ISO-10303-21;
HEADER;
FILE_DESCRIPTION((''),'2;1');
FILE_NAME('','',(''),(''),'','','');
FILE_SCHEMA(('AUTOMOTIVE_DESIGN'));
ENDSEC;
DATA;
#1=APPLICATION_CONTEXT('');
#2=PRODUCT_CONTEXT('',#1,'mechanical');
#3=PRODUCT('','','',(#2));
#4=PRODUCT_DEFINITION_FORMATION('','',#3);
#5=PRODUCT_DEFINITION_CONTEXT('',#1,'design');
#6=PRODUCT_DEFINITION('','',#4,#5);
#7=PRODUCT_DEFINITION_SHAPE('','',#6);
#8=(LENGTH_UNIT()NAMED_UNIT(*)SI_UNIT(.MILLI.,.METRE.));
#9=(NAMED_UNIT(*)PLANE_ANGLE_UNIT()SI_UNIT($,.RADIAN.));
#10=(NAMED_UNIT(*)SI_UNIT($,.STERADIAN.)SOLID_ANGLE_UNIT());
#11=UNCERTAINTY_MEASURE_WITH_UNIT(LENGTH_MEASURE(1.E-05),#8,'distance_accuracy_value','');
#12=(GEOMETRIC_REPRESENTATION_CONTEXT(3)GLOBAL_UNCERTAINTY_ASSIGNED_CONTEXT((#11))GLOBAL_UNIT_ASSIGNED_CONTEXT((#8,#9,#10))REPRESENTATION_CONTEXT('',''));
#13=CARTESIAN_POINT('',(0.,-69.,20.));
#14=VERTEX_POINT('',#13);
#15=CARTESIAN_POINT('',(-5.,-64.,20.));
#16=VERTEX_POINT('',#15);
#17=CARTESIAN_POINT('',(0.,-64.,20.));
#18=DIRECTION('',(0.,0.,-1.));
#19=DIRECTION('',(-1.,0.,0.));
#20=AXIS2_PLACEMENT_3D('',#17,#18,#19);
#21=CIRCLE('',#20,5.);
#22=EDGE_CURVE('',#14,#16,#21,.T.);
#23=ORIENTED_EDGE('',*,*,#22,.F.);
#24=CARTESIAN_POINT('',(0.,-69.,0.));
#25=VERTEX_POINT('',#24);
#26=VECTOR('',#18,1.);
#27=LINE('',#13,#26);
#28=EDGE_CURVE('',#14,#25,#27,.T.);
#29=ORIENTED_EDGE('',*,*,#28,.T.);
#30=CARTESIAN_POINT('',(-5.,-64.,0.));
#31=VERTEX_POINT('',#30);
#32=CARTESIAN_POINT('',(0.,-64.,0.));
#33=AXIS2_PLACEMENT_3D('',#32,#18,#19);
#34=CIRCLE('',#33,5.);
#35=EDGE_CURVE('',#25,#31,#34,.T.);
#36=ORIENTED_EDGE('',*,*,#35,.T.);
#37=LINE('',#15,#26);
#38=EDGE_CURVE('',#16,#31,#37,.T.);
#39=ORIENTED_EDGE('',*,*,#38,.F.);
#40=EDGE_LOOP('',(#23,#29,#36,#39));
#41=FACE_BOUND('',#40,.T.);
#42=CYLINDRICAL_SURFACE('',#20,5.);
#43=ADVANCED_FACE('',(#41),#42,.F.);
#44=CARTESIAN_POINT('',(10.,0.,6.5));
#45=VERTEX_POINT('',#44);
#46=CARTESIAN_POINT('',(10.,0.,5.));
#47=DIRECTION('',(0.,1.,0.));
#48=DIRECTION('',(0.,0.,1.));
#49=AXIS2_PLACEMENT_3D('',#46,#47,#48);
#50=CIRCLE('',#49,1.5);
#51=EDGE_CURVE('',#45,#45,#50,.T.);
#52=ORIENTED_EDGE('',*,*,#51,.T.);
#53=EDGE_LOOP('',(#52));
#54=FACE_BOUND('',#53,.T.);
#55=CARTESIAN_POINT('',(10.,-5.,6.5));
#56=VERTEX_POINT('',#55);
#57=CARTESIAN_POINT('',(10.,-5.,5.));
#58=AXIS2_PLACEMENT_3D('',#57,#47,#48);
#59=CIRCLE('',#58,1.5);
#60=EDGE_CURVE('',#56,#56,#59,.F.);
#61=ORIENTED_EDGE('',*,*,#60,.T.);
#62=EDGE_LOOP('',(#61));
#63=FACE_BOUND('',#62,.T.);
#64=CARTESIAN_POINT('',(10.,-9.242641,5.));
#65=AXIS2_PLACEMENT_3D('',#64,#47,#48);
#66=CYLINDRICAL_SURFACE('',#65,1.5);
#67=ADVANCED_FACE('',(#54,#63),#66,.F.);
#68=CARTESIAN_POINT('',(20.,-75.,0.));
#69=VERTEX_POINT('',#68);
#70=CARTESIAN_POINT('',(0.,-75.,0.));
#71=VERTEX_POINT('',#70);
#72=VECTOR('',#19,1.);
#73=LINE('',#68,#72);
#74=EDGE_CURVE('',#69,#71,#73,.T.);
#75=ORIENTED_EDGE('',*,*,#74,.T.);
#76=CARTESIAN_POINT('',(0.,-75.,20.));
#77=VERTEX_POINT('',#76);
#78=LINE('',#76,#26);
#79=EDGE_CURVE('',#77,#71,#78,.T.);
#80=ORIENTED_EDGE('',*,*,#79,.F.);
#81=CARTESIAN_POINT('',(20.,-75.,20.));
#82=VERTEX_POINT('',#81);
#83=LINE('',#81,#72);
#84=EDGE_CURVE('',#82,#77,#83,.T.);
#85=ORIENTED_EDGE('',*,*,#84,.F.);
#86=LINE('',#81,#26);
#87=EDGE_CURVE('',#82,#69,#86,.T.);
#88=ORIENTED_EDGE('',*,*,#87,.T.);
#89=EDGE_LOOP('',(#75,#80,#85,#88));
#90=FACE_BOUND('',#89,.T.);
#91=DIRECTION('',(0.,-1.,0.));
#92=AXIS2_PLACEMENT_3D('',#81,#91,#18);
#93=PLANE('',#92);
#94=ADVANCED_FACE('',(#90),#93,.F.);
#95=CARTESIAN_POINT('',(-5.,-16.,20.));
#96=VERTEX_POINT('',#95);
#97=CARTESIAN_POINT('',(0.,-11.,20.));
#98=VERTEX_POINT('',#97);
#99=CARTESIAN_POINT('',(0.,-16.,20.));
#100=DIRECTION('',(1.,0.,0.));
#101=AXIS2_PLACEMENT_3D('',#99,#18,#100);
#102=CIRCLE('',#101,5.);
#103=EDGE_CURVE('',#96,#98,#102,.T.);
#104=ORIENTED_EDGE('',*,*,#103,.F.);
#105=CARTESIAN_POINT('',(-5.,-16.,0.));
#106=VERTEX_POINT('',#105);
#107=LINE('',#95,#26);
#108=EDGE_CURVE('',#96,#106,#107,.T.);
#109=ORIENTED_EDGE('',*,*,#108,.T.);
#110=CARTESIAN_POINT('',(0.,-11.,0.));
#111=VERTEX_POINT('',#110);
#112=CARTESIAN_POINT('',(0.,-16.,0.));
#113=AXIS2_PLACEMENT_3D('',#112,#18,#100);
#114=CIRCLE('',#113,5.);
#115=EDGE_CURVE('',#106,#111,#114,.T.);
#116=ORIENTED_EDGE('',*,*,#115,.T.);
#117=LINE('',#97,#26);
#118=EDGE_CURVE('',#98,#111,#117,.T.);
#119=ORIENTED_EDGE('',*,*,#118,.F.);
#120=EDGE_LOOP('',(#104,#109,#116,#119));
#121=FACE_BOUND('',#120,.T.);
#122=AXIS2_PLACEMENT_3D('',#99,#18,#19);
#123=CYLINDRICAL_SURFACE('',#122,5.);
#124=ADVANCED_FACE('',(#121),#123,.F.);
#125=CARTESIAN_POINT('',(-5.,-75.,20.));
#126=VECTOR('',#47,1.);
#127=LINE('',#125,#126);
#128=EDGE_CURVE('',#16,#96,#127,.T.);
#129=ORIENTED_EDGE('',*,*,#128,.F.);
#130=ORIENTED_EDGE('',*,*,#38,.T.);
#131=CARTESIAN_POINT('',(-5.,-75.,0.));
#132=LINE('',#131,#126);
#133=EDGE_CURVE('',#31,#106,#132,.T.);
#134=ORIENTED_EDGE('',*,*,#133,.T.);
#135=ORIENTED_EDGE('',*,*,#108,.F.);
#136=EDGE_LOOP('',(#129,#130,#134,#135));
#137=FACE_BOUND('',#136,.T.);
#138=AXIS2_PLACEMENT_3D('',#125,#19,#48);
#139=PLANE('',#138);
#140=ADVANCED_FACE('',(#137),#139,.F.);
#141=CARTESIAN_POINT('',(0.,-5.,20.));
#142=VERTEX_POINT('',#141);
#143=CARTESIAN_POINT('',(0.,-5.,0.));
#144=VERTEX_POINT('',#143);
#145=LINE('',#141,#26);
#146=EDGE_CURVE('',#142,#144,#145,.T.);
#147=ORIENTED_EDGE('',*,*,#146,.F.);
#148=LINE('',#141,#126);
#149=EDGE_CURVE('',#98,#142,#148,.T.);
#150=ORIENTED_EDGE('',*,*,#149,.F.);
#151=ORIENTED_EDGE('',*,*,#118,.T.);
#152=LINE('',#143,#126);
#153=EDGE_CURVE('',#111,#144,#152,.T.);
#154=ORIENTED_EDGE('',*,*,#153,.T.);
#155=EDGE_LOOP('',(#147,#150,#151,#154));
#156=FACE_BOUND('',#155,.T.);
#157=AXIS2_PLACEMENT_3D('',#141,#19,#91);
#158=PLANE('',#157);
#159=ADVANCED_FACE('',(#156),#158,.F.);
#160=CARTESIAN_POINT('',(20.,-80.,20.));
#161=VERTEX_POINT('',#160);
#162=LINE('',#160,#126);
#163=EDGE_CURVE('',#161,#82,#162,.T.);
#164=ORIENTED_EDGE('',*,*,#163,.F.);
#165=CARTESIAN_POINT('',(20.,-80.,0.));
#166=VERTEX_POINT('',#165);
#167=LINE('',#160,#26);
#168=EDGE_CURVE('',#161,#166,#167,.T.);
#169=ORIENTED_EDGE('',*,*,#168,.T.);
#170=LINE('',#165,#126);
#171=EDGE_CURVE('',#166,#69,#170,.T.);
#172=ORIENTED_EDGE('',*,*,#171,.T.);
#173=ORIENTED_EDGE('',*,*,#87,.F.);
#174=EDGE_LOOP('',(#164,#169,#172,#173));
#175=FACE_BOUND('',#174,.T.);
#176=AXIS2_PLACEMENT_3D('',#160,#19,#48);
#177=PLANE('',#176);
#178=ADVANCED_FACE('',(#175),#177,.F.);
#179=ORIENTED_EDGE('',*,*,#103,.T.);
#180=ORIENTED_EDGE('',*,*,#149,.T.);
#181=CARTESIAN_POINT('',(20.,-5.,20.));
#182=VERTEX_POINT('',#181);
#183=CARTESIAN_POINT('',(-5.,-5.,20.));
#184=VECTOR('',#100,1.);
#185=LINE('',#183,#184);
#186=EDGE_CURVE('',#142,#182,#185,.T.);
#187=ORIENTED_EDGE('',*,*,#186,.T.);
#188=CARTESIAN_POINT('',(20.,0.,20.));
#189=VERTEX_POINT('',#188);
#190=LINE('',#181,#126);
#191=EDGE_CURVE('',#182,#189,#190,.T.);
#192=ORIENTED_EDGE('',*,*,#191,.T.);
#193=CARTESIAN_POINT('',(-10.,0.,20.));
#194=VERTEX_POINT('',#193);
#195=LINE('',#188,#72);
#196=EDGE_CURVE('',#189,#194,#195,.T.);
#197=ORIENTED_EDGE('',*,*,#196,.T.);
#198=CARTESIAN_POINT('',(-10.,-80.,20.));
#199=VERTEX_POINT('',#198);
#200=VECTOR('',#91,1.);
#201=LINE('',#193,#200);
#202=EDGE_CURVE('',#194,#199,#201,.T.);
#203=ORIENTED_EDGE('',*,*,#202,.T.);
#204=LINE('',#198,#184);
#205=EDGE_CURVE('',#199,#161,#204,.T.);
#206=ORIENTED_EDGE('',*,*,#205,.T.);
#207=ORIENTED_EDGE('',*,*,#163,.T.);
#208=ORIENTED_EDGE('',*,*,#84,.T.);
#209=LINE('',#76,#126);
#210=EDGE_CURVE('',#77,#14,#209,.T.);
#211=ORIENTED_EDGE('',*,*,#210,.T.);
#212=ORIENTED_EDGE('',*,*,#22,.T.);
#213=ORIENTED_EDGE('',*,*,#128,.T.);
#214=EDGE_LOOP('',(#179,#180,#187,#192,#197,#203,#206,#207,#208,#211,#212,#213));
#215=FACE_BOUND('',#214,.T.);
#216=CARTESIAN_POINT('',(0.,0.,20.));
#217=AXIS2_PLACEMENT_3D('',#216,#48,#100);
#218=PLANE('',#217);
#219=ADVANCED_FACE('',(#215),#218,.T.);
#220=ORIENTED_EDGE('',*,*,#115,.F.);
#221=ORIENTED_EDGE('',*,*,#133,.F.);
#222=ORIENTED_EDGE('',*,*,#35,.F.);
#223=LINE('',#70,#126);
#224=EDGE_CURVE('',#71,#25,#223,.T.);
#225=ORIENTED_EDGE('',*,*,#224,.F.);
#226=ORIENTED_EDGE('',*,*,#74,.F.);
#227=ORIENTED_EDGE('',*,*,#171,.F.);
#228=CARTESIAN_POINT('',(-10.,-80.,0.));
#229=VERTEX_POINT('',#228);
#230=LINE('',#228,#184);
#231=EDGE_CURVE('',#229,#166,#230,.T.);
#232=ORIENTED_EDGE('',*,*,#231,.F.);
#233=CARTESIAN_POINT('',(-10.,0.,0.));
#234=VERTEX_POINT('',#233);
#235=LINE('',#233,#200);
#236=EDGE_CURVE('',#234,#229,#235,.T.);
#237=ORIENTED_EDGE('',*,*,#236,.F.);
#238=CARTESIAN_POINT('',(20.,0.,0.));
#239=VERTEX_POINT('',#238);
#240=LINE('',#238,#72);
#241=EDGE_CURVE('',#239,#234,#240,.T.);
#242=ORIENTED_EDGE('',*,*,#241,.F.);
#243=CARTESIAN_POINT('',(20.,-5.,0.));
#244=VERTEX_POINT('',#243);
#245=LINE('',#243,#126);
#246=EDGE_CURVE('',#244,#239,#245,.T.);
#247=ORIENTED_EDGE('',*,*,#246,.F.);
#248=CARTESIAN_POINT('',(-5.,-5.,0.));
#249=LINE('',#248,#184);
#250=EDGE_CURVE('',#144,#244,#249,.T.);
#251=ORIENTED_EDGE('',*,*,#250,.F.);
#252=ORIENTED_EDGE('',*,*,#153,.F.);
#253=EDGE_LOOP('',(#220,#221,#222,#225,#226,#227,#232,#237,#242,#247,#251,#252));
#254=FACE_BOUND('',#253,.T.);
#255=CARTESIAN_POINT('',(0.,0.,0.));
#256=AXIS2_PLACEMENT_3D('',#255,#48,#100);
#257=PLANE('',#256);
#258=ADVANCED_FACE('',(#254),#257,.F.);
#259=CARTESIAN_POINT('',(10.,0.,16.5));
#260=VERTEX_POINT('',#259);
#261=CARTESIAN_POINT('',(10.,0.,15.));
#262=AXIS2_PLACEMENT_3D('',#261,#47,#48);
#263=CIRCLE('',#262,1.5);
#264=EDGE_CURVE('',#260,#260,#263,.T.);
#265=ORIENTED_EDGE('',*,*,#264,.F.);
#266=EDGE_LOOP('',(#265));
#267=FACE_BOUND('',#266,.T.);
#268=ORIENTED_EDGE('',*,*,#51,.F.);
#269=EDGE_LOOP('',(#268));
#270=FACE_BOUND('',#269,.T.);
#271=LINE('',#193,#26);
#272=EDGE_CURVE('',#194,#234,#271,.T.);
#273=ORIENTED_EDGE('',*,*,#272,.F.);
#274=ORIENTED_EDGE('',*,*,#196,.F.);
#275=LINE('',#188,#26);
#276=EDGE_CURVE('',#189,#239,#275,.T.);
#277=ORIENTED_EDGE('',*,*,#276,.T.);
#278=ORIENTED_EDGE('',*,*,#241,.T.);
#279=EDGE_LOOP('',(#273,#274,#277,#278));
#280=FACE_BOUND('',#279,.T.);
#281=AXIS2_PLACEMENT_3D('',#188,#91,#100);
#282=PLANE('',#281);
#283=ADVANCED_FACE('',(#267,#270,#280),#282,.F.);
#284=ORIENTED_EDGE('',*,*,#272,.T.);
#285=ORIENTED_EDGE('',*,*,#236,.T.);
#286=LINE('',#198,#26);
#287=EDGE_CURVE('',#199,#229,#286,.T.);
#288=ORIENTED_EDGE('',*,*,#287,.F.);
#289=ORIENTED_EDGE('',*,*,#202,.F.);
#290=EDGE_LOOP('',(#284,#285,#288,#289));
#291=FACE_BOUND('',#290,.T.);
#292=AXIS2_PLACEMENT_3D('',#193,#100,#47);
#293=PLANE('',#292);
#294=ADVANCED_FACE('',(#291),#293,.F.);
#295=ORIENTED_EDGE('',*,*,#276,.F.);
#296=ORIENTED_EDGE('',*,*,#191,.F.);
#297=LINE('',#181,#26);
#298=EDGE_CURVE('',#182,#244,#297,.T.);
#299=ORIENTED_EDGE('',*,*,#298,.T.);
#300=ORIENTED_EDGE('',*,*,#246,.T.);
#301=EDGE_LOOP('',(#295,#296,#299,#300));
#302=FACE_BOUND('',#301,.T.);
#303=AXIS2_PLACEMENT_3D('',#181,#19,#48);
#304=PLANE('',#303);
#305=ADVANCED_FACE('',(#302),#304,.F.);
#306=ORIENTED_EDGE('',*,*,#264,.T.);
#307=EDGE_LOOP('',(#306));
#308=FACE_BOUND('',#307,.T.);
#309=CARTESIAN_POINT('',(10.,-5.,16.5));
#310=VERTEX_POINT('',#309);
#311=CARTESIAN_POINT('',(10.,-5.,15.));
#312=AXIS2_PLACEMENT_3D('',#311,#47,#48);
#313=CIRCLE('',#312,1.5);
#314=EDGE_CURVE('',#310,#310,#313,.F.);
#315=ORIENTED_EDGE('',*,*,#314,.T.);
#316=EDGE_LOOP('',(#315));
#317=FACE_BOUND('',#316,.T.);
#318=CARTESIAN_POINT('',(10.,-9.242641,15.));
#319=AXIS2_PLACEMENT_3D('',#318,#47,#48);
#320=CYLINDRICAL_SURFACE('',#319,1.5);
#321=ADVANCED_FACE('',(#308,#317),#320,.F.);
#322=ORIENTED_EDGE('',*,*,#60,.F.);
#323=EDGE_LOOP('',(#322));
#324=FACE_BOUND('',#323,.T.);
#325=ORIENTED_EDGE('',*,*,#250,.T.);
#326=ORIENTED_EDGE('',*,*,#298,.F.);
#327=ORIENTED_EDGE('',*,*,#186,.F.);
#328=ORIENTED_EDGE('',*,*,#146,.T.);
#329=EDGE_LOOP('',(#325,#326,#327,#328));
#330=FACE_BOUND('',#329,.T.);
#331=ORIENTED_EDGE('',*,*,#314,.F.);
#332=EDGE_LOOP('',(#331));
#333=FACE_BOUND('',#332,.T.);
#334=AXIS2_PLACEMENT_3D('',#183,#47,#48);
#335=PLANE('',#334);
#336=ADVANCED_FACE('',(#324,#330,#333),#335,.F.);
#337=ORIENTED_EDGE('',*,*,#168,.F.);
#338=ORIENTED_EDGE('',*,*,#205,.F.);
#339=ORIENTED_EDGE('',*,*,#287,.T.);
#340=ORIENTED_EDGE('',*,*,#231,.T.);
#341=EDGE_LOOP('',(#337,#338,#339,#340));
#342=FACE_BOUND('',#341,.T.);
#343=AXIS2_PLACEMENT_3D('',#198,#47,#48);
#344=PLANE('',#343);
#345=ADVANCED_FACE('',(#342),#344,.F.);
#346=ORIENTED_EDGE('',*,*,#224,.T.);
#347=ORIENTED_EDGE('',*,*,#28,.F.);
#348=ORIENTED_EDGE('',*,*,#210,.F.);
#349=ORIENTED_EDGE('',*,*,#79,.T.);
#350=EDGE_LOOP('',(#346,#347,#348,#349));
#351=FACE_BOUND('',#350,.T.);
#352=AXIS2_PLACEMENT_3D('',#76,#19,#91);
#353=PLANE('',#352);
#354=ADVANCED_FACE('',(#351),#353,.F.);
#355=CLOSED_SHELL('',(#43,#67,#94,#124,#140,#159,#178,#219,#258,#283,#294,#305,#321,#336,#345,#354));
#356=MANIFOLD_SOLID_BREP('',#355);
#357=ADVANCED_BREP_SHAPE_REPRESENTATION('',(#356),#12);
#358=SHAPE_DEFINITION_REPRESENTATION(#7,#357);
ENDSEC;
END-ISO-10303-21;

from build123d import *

# Parameters (mm, degrees)
BOSS_EXTRUDE1_DEPTH = 20
BOSS_EXTRUDE2_DEPTH = 20
SKETCH4_R           = 1.5
CUT_EXTRUDE1_DEPTH  = 5


with BuildPart() as part:
    # Sketch1 → Boss-Extrude1 (new body)
    with BuildSketch(Plane.XY):
        Polygon((20, 0), (-10, 0), (-10, -80), (20, -80), (20, -75), (-5, -75), (-5, -5), (20, -5), align=None)
    extrude(amount=BOSS_EXTRUDE1_DEPTH)

    # Sketch3 → Boss-Extrude2 (add)
    with BuildSketch(Plane.XY):
        with BuildLine():
            Line((0, -5), (-5, -5))
            Line((-5, -5), (-5, -16))
            ThreePointArc((-5, -16), (-3.535533906, -12.464466094), (0, -11))
            Line((0, -11), (0, -5))
        make_face()
        with BuildLine():
            Line((-5, -75), (0, -75))
            Line((0, -75), (0, -69))
            ThreePointArc((0, -69), (-3.535533906, -67.535533906), (-5, -64))
            Line((-5, -64), (-5, -75))
        make_face()
    extrude(amount=BOSS_EXTRUDE2_DEPTH)

    # Sketch4 → Cut-Extrude1 (cut)
    with BuildSketch(Plane(origin=(0, 0, 0), x_dir=(1, 0, 0), z_dir=(0, 1, 0))):
        with Locations((10, -5)):
            Circle(SKETCH4_R)
        with Locations((10, -15)):
            Circle(SKETCH4_R)
    extrude(amount=-CUT_EXTRUDE1_DEPTH, mode=Mode.SUBTRACT)


solid = part.part
